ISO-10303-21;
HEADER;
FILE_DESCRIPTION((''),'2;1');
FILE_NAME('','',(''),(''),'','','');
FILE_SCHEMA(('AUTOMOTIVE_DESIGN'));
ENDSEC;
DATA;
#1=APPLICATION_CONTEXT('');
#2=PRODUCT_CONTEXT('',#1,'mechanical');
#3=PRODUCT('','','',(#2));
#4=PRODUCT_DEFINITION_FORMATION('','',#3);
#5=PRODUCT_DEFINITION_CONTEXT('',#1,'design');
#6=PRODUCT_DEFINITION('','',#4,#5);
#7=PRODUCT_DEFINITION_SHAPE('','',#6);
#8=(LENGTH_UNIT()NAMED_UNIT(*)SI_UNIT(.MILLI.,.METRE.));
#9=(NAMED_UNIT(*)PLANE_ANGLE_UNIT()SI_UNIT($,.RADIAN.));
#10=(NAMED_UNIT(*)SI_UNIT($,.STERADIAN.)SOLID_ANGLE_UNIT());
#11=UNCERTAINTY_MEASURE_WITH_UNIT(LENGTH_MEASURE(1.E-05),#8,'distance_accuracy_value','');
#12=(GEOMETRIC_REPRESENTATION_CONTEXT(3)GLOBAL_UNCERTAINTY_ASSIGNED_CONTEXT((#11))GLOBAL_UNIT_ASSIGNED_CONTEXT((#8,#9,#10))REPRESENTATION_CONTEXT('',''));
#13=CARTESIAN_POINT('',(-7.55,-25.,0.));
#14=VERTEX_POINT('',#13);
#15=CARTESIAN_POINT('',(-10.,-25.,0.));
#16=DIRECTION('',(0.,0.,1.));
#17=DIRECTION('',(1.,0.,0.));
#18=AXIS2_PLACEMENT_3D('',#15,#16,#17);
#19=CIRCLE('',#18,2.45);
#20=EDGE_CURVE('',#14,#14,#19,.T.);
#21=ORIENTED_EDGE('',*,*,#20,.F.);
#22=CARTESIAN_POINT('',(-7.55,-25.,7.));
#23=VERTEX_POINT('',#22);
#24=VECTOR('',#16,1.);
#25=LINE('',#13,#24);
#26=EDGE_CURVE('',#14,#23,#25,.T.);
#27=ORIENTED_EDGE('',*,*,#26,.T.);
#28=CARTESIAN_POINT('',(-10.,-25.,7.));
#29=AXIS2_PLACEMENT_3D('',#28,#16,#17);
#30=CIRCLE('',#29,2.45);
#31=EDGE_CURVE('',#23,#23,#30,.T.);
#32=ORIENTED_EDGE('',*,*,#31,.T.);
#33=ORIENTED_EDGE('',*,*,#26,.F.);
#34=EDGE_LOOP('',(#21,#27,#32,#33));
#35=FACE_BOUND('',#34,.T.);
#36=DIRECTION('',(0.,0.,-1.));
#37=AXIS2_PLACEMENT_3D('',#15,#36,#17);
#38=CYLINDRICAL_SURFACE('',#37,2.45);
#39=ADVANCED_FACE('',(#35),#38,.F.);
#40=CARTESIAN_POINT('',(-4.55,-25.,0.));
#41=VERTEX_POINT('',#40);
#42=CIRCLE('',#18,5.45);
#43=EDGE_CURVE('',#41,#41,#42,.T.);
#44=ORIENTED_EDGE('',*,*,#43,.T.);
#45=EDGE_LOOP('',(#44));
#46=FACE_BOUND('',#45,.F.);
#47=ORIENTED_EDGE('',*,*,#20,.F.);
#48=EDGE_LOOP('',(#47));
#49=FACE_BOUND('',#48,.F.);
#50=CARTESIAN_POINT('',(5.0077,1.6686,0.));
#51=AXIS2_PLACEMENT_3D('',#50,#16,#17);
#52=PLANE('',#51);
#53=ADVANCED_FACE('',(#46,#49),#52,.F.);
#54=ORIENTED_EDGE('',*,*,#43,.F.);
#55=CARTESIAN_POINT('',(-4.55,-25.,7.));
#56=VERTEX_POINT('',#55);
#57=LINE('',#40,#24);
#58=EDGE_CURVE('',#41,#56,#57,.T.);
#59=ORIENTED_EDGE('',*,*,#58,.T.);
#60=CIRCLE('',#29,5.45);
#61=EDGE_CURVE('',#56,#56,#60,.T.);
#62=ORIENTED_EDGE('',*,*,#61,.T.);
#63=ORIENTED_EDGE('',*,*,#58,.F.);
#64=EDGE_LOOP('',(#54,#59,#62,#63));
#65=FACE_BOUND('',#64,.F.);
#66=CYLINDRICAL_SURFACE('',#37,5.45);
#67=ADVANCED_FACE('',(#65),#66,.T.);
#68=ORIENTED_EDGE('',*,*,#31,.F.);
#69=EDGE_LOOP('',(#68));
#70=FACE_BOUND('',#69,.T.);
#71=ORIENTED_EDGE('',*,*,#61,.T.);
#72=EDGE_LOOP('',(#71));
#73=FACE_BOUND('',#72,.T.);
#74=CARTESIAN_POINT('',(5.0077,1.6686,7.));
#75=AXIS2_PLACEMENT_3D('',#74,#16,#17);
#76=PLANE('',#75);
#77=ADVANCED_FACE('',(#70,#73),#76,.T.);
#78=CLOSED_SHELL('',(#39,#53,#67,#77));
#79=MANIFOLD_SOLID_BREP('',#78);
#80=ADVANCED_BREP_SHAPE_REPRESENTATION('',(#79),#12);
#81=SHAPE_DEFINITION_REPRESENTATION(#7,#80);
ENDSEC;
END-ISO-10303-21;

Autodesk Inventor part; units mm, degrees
ref_plane "YZ Plane" through (0, 0, 0) normal (1, 0, 0) x (0, 1, 0)
ref_plane "XZ Plane" through (0, 0, 0) normal (0, 1, 0) x (-1, 0, 0)
ref_plane "XY Plane" through (0, 0, 0) normal (0, 0, 1) x (1, 0, 0)
ref_plane "Work Plane1" through (5.0077, 1.6686, 31) normal (0, 0, 1) x (-1, 0, 0)
ref_plane "Work Plane2" through (5.0077, 1.6686, 0) normal (0, 0, 1) x (1, 0, 0)
sketch "Sketch1" plane through (5.0077, 1.6686, 0) normal (0, 0, 1) x (1, 0, 0)
  circle A0 centre (-15.0077, -26.6686) radius 2.45 projected
  circle A1 centre (-15.0077, -26.6686) radius 5.45
  point P0 (-5.0077, -1.6686)
  dimension "d0" = 3
extrude "Extrusion1" add sketch "Sketch1" along normal blind 7
properties part number "Neje_distancering"
